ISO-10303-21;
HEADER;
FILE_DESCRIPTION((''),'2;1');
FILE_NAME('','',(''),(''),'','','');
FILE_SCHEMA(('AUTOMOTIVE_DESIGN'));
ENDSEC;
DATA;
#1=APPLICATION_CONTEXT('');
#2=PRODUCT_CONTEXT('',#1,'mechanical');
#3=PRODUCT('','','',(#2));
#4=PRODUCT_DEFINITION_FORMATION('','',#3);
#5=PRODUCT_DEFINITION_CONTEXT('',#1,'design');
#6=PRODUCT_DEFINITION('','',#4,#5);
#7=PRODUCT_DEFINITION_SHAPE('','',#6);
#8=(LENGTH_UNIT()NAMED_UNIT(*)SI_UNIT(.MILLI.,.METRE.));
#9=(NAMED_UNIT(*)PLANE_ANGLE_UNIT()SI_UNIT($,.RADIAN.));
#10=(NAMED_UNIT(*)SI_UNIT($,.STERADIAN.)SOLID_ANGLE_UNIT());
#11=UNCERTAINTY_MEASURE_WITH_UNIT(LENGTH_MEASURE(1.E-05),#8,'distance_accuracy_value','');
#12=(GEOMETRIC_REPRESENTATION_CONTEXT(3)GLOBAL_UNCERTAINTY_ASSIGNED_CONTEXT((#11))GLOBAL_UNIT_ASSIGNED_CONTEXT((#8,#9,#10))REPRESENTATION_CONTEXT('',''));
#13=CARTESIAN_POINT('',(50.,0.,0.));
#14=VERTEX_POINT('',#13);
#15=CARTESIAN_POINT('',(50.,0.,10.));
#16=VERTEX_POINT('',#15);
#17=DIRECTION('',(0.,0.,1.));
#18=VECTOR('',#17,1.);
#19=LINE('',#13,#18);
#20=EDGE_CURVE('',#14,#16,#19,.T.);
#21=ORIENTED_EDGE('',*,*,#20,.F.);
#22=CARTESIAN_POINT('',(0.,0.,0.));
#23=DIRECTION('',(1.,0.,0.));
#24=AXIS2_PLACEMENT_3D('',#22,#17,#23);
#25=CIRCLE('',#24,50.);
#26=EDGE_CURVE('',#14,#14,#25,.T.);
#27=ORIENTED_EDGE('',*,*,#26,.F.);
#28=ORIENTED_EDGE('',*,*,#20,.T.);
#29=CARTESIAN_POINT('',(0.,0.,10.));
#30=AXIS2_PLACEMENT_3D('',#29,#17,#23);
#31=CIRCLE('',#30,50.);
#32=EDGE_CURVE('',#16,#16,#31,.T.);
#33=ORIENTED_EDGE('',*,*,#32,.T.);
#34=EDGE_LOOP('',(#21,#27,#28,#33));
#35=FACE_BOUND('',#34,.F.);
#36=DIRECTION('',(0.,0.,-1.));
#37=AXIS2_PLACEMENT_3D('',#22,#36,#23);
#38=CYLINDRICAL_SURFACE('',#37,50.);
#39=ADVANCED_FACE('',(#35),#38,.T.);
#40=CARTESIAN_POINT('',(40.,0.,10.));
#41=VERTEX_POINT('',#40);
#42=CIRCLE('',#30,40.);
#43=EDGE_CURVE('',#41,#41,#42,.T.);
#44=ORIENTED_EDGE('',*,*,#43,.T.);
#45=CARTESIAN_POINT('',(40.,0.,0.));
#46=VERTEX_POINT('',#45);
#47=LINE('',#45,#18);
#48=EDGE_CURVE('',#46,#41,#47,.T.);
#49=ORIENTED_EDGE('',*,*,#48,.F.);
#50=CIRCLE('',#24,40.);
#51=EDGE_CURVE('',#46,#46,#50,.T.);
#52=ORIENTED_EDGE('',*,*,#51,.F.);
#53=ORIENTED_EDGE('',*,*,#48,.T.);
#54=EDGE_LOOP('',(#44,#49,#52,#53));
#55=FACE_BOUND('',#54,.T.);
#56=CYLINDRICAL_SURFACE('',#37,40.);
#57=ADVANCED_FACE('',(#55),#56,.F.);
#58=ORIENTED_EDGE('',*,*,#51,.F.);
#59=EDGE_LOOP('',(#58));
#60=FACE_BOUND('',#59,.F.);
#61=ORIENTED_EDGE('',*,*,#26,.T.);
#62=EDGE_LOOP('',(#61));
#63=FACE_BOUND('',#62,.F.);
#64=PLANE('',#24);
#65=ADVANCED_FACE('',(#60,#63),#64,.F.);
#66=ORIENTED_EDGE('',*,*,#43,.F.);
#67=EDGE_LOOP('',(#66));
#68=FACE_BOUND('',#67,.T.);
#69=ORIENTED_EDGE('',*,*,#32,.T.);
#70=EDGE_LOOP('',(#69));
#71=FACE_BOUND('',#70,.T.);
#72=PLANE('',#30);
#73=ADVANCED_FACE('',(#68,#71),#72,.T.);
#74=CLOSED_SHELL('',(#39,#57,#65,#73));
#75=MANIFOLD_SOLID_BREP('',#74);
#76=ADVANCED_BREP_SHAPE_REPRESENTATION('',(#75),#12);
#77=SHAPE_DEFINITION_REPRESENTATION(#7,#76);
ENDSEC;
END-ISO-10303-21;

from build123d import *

# Parameters (mm, degrees)
SKETCH_1_R      = 50
SKETCH_1_R_2    = 40
EXTRUDE_1_DEPTH = 10


with BuildPart() as part:
    # 草图1 → 凸台-拉伸1 (new body)
    with BuildSketch(Plane.XY):
        Circle(SKETCH_1_R)
        Circle(SKETCH_1_R_2, mode=Mode.SUBTRACT)
    extrude(amount=EXTRUDE_1_DEPTH)


solid = part.part
